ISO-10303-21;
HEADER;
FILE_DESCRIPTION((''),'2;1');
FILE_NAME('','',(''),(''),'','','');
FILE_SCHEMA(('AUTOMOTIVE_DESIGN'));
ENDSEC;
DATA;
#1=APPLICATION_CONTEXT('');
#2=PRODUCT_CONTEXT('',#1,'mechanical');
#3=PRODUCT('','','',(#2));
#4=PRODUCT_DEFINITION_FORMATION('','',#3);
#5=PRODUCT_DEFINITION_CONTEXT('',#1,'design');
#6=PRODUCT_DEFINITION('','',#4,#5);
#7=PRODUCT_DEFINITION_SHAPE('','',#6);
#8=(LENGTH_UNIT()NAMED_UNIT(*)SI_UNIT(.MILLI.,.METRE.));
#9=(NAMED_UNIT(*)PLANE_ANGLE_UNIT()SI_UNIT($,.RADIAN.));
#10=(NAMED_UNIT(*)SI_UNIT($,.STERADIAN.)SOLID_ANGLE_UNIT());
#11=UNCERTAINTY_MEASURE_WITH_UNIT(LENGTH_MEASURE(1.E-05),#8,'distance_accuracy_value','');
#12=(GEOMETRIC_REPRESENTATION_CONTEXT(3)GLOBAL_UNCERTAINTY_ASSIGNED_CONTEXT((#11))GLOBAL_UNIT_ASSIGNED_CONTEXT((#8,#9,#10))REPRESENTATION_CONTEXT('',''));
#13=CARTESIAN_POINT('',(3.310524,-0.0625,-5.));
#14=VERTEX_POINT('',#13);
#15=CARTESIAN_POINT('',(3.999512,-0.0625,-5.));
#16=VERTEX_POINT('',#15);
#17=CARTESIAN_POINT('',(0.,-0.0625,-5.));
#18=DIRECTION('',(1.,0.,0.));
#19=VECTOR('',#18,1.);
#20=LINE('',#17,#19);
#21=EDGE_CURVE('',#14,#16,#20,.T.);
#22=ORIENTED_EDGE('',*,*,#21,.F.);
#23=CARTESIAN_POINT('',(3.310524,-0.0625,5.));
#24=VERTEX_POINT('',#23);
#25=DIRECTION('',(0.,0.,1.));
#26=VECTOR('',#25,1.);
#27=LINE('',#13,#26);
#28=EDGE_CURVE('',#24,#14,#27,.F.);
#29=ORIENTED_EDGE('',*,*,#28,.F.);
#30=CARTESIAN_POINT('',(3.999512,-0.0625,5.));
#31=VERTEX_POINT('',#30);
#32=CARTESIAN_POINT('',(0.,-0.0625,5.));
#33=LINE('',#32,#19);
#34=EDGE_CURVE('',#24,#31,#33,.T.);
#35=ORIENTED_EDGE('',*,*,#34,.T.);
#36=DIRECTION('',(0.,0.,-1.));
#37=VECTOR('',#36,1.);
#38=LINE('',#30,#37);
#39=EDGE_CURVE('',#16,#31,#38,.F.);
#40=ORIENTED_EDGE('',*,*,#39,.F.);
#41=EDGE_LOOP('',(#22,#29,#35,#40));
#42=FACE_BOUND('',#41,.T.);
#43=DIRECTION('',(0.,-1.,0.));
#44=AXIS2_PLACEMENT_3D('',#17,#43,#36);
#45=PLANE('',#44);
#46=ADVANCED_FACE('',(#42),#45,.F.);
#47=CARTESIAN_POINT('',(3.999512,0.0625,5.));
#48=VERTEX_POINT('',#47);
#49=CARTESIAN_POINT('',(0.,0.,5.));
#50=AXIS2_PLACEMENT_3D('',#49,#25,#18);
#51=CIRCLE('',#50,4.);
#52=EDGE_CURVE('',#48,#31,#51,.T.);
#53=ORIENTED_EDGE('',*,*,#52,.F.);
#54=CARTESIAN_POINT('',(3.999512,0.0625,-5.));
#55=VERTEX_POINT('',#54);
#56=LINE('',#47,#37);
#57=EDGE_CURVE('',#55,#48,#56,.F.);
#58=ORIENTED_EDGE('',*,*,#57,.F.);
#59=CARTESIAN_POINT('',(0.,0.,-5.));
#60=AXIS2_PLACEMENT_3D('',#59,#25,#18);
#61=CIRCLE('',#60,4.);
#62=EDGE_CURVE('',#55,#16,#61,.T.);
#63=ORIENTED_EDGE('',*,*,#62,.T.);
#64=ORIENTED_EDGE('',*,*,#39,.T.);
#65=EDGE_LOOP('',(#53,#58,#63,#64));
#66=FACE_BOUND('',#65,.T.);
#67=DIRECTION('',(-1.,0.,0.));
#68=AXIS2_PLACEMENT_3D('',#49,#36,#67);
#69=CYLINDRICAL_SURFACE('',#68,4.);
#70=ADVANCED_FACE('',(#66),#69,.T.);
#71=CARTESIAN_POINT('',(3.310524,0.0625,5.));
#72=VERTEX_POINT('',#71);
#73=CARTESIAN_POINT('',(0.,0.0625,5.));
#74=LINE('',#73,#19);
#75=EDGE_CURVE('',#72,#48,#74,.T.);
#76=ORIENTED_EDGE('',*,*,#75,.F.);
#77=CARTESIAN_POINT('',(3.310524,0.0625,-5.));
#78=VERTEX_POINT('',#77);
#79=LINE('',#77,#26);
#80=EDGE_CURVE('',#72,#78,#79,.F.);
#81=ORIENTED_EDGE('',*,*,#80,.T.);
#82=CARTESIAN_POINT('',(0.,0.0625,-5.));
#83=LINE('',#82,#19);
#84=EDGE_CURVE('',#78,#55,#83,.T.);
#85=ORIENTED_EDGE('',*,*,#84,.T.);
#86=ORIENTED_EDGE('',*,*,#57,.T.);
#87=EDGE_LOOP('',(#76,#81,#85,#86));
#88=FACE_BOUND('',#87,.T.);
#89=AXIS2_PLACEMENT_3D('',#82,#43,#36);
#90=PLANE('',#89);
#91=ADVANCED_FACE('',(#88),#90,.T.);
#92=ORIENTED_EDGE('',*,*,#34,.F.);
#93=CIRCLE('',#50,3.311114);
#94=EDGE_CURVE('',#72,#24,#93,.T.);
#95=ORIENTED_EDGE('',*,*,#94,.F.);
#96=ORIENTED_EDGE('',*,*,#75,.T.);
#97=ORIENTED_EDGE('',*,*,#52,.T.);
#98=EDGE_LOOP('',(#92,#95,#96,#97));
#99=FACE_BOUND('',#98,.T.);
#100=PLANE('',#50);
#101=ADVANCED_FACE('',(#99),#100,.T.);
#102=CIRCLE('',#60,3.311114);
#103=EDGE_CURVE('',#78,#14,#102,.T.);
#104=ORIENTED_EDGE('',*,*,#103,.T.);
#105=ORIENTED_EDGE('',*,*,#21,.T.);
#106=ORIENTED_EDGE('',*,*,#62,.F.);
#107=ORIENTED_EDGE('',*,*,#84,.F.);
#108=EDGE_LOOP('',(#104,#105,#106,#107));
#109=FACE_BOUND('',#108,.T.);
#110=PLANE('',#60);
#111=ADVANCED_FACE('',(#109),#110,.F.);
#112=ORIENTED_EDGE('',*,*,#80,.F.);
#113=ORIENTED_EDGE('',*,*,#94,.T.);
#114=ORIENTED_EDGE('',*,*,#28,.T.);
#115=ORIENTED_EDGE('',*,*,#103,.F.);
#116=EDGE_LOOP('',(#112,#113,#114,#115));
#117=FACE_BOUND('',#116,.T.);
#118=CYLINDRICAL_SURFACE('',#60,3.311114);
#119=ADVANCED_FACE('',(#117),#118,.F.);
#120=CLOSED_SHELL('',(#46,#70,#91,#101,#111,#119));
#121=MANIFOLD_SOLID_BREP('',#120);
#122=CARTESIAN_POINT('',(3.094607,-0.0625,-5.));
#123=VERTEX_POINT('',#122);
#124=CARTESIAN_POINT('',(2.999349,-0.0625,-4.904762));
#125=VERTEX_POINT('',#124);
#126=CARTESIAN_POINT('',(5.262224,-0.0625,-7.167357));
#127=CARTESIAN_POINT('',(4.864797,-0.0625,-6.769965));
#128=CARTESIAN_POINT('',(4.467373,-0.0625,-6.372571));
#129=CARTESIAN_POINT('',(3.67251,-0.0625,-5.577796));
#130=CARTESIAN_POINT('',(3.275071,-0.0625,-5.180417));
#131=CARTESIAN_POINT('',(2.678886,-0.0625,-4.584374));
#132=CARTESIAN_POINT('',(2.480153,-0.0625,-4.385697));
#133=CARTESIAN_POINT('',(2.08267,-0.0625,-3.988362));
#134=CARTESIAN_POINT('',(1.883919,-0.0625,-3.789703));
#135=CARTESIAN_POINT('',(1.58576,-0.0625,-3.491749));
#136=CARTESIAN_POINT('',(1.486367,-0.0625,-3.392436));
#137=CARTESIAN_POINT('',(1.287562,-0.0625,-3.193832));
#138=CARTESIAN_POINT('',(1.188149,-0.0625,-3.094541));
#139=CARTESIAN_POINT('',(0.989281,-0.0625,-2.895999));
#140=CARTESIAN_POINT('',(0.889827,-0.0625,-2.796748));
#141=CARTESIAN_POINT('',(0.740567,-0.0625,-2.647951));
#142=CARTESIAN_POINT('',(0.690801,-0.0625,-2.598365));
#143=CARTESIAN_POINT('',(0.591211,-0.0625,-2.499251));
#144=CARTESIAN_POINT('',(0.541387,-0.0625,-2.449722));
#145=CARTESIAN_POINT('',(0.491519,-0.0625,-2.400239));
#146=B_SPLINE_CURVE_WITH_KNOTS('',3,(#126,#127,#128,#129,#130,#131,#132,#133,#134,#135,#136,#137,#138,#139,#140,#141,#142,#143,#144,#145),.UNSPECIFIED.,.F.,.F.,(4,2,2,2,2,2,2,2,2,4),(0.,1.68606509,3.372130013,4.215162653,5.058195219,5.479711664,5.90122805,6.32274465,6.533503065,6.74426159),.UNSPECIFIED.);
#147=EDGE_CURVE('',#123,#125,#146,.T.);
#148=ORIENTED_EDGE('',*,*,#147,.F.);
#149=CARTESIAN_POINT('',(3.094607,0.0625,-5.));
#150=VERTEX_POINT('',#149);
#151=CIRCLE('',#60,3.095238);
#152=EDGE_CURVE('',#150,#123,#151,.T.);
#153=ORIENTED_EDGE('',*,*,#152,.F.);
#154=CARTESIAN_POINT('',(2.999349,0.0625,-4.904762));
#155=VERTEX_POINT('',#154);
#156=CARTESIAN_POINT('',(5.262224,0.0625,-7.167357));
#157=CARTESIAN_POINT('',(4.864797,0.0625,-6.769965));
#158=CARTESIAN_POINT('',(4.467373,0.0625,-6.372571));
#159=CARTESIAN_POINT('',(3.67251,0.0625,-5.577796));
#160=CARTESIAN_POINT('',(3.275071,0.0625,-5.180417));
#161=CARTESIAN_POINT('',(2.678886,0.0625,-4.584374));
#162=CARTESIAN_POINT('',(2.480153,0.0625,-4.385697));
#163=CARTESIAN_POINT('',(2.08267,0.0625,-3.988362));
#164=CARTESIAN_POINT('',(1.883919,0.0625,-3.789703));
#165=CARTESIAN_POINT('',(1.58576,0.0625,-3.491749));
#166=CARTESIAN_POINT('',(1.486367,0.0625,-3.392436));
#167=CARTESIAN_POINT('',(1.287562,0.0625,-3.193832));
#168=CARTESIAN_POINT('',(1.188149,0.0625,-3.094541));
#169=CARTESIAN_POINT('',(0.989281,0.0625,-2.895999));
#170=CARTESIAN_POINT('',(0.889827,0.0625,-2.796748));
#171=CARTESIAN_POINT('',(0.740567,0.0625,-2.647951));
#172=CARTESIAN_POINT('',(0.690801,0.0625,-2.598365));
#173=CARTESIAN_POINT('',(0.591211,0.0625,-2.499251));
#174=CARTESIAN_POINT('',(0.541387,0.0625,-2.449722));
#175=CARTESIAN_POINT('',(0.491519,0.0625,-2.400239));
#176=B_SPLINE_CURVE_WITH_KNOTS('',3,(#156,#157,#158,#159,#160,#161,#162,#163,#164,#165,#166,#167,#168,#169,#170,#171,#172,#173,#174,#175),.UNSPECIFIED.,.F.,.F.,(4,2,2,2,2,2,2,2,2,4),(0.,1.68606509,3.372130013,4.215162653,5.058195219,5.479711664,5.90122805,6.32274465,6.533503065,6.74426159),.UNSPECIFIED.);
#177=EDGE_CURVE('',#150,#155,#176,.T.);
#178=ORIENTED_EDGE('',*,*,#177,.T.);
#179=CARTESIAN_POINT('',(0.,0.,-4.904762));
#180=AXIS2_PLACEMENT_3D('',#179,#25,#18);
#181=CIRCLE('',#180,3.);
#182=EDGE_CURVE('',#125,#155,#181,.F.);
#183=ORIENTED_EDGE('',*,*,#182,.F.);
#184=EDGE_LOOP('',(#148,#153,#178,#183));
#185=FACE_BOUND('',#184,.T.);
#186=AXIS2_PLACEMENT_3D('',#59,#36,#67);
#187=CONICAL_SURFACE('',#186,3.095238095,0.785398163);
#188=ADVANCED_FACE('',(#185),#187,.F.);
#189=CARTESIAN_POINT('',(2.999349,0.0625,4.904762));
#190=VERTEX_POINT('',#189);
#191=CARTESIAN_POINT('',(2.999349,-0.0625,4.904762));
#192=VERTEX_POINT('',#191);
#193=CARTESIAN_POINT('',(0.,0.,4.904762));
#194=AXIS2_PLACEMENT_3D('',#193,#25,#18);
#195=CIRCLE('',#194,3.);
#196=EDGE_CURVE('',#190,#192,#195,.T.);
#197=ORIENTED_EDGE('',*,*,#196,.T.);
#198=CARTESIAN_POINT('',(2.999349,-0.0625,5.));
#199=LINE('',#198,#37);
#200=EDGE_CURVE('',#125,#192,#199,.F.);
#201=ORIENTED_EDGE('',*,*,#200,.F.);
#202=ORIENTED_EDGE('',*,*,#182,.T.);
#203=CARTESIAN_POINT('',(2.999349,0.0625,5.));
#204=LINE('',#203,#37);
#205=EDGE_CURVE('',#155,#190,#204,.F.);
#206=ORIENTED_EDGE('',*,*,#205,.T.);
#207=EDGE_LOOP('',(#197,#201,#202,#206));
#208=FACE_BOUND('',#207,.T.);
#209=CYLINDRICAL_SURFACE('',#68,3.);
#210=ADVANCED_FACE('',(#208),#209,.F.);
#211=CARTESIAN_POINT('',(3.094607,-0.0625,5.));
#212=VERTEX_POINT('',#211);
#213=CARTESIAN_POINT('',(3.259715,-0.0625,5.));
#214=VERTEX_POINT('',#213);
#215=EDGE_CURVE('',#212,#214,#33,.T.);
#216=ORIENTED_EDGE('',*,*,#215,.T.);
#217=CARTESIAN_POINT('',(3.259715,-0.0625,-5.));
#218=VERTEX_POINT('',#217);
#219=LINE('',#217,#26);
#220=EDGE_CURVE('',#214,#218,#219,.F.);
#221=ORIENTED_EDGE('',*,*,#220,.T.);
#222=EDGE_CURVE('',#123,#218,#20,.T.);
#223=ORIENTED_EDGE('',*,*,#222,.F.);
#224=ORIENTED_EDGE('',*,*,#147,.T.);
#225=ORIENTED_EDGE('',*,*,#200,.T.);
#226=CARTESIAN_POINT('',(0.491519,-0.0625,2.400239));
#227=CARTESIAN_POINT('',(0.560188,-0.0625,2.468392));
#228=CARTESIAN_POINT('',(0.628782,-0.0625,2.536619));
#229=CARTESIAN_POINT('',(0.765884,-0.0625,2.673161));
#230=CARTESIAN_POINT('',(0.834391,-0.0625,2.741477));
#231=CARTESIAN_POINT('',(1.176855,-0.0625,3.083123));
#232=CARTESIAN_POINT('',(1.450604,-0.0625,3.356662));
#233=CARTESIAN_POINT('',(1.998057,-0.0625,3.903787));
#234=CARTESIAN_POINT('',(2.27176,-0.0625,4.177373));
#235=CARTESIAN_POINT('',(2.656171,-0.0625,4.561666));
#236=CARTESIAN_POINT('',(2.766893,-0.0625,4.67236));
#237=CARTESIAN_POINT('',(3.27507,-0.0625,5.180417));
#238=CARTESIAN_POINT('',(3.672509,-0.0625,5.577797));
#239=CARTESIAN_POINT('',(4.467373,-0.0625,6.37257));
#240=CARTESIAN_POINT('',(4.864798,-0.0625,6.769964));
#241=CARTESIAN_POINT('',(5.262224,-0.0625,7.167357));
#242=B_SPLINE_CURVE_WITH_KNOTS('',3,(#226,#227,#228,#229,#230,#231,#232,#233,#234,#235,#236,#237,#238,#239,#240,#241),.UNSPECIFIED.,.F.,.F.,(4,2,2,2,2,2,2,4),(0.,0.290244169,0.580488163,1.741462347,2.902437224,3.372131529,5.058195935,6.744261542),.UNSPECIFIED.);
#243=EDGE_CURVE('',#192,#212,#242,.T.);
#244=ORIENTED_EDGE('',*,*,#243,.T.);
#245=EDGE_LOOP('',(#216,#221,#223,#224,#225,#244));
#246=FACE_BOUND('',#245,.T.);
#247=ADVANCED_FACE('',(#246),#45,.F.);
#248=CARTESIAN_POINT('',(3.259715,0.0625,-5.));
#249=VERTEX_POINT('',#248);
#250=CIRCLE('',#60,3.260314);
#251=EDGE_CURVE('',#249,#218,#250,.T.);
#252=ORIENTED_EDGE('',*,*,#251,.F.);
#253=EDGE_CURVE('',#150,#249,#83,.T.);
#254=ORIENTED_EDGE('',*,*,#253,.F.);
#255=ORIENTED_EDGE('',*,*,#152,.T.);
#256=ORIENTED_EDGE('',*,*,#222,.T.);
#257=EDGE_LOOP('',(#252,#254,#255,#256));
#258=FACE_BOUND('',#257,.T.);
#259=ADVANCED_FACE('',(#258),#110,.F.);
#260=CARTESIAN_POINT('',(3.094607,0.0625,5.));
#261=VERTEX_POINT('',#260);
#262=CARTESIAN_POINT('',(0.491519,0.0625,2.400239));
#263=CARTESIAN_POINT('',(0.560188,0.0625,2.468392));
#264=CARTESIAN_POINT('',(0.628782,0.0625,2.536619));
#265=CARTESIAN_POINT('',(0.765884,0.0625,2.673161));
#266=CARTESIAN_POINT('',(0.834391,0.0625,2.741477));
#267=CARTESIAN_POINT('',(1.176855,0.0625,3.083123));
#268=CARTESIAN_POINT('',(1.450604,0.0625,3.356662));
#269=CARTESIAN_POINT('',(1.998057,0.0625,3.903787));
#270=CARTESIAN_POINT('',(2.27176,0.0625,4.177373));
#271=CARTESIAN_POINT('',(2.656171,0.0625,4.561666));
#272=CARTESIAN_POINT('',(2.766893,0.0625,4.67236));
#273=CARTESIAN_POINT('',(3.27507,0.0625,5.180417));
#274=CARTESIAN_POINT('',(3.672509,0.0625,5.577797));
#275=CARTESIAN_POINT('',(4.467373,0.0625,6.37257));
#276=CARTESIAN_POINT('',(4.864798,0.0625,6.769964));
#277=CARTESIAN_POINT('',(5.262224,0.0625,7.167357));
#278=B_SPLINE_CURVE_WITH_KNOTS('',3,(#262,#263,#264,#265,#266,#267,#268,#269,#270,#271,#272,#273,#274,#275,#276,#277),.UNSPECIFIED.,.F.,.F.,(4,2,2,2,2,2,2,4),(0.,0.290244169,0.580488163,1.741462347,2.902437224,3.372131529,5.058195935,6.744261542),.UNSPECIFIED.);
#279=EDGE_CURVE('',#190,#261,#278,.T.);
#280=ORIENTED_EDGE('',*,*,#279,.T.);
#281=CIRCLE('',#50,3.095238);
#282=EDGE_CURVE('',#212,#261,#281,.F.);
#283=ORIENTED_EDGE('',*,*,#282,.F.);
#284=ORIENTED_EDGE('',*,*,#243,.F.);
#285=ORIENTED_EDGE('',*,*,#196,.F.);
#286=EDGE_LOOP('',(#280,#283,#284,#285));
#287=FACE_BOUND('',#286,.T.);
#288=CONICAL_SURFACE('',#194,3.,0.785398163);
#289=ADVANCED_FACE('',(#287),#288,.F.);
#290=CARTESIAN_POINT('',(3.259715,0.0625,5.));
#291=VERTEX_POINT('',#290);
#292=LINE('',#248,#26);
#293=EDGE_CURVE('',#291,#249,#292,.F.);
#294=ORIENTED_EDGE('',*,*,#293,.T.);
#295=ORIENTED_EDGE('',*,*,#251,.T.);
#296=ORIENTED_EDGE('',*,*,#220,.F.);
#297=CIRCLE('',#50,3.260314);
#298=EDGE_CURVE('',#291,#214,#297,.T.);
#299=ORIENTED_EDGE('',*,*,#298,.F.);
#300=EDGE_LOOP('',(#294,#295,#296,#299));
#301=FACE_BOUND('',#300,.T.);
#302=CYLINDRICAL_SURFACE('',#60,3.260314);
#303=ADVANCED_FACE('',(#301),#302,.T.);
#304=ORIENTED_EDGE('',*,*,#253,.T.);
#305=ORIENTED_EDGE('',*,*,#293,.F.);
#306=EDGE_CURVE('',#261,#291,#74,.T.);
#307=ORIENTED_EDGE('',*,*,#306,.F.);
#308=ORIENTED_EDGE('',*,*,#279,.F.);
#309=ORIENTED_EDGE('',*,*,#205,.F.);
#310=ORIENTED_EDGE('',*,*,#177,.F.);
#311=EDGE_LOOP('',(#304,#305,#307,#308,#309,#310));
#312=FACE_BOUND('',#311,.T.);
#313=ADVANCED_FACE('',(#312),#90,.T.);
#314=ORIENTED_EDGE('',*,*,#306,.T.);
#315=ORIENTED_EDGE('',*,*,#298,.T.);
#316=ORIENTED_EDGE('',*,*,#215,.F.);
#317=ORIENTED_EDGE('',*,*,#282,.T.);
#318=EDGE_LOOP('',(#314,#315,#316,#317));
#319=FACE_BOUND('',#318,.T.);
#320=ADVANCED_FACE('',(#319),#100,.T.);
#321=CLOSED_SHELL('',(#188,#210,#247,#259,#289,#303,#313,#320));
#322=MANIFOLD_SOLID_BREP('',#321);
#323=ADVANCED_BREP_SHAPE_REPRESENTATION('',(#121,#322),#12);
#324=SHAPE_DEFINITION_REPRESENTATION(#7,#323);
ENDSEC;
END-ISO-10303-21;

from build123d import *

# Parameters (mm, degrees)
SKETCH1_R                    = 4
SKETCH1_R_2                  = 3
BOSS_EXTRUDE1_DEPTH          = 5
CUT_EXTRUDE_THIN1_DEPTH      = 8.549834435
CUT_EXTRUDE_THIN1_DEPTH_BACK = 8.549834435
SKETCH2_R                    = 3.311114286
SKETCH2_R_2                  = 3.260314286
CHAMFER1_SIZE                = 0.095238095
SKETCH4_W                    = 4
SKETCH4_H                    = 0.125
CUT_EXTRUDE_THIN5_DEPTH      = 12.489125293


with BuildPart() as part:
    # Sketch1 → Boss-Extrude1 (new, symmetric)
    with BuildSketch(Plane.XY):
        Circle(SKETCH1_R)
        Circle(SKETCH1_R_2, mode=Mode.SUBTRACT)
    extrude(amount=BOSS_EXTRUDE1_DEPTH, both=True)

    # Sketch2 → Cut-Extrude-Thin1 (cut, two sides: drawn at the far end of the back side and taken through both)
    with BuildSketch(Plane.XY.offset(-CUT_EXTRUDE_THIN1_DEPTH_BACK)):
        Circle(SKETCH2_R)
        Circle(SKETCH2_R_2, mode=Mode.SUBTRACT)
    extrude(amount=CUT_EXTRUDE_THIN1_DEPTH + CUT_EXTRUDE_THIN1_DEPTH_BACK, mode=Mode.SUBTRACT)


with BuildPart() as cut_extrude_thin1_piece_1:
    # of the separate pieces the step leaves, piece 1, a body of its own (cut_extrude_thin1_pieces)
    add(part.part.solids().sort_by_distance((4, 0, -5))[0])


with BuildPart() as cut_extrude_thin1_piece_2:
    # of the separate pieces the step leaves, piece 2, a body of its own (cut_extrude_thin1_pieces)
    add(part.part.solids().sort_by_distance((3.260314286, 0, -5))[0])

    # Chamfer1
    chamfer1_edges = [cut_extrude_thin1_piece_2.edges().sort_by_distance(p)[0] for p in [
        (-3, 0, -5),
        (-3, 0, 5),
    ]]
    chamfer(chamfer1_edges, length=CHAMFER1_SIZE)


with BuildPart() as cut_extrude_thin5_tool:
    # Sketch4 → Cut-Extrude-Thin5 (new, through all)
    with BuildSketch(Plane.XY.offset(5)):
        with Locations((2, 0)):
            Rectangle(SKETCH4_W, SKETCH4_H)
    extrude(amount=-CUT_EXTRUDE_THIN5_DEPTH)


with BuildPart() as cut_extrude_thin1_piece_1_1:
    add(cut_extrude_thin1_piece_1.part)

    # Cut-Extrude-Thin5: cut by cut_extrude_thin5_tool
    add(cut_extrude_thin5_tool.part, mode=Mode.SUBTRACT)


with BuildPart() as cut_extrude_thin1_piece_2_1:
    add(cut_extrude_thin1_piece_2.part)

    # Cut-Extrude-Thin5: cut by cut_extrude_thin5_tool
    add(cut_extrude_thin5_tool.part, mode=Mode.SUBTRACT)


solid = Compound([cut_extrude_thin1_piece_1_1.part, cut_extrude_thin1_piece_2_1.part])
